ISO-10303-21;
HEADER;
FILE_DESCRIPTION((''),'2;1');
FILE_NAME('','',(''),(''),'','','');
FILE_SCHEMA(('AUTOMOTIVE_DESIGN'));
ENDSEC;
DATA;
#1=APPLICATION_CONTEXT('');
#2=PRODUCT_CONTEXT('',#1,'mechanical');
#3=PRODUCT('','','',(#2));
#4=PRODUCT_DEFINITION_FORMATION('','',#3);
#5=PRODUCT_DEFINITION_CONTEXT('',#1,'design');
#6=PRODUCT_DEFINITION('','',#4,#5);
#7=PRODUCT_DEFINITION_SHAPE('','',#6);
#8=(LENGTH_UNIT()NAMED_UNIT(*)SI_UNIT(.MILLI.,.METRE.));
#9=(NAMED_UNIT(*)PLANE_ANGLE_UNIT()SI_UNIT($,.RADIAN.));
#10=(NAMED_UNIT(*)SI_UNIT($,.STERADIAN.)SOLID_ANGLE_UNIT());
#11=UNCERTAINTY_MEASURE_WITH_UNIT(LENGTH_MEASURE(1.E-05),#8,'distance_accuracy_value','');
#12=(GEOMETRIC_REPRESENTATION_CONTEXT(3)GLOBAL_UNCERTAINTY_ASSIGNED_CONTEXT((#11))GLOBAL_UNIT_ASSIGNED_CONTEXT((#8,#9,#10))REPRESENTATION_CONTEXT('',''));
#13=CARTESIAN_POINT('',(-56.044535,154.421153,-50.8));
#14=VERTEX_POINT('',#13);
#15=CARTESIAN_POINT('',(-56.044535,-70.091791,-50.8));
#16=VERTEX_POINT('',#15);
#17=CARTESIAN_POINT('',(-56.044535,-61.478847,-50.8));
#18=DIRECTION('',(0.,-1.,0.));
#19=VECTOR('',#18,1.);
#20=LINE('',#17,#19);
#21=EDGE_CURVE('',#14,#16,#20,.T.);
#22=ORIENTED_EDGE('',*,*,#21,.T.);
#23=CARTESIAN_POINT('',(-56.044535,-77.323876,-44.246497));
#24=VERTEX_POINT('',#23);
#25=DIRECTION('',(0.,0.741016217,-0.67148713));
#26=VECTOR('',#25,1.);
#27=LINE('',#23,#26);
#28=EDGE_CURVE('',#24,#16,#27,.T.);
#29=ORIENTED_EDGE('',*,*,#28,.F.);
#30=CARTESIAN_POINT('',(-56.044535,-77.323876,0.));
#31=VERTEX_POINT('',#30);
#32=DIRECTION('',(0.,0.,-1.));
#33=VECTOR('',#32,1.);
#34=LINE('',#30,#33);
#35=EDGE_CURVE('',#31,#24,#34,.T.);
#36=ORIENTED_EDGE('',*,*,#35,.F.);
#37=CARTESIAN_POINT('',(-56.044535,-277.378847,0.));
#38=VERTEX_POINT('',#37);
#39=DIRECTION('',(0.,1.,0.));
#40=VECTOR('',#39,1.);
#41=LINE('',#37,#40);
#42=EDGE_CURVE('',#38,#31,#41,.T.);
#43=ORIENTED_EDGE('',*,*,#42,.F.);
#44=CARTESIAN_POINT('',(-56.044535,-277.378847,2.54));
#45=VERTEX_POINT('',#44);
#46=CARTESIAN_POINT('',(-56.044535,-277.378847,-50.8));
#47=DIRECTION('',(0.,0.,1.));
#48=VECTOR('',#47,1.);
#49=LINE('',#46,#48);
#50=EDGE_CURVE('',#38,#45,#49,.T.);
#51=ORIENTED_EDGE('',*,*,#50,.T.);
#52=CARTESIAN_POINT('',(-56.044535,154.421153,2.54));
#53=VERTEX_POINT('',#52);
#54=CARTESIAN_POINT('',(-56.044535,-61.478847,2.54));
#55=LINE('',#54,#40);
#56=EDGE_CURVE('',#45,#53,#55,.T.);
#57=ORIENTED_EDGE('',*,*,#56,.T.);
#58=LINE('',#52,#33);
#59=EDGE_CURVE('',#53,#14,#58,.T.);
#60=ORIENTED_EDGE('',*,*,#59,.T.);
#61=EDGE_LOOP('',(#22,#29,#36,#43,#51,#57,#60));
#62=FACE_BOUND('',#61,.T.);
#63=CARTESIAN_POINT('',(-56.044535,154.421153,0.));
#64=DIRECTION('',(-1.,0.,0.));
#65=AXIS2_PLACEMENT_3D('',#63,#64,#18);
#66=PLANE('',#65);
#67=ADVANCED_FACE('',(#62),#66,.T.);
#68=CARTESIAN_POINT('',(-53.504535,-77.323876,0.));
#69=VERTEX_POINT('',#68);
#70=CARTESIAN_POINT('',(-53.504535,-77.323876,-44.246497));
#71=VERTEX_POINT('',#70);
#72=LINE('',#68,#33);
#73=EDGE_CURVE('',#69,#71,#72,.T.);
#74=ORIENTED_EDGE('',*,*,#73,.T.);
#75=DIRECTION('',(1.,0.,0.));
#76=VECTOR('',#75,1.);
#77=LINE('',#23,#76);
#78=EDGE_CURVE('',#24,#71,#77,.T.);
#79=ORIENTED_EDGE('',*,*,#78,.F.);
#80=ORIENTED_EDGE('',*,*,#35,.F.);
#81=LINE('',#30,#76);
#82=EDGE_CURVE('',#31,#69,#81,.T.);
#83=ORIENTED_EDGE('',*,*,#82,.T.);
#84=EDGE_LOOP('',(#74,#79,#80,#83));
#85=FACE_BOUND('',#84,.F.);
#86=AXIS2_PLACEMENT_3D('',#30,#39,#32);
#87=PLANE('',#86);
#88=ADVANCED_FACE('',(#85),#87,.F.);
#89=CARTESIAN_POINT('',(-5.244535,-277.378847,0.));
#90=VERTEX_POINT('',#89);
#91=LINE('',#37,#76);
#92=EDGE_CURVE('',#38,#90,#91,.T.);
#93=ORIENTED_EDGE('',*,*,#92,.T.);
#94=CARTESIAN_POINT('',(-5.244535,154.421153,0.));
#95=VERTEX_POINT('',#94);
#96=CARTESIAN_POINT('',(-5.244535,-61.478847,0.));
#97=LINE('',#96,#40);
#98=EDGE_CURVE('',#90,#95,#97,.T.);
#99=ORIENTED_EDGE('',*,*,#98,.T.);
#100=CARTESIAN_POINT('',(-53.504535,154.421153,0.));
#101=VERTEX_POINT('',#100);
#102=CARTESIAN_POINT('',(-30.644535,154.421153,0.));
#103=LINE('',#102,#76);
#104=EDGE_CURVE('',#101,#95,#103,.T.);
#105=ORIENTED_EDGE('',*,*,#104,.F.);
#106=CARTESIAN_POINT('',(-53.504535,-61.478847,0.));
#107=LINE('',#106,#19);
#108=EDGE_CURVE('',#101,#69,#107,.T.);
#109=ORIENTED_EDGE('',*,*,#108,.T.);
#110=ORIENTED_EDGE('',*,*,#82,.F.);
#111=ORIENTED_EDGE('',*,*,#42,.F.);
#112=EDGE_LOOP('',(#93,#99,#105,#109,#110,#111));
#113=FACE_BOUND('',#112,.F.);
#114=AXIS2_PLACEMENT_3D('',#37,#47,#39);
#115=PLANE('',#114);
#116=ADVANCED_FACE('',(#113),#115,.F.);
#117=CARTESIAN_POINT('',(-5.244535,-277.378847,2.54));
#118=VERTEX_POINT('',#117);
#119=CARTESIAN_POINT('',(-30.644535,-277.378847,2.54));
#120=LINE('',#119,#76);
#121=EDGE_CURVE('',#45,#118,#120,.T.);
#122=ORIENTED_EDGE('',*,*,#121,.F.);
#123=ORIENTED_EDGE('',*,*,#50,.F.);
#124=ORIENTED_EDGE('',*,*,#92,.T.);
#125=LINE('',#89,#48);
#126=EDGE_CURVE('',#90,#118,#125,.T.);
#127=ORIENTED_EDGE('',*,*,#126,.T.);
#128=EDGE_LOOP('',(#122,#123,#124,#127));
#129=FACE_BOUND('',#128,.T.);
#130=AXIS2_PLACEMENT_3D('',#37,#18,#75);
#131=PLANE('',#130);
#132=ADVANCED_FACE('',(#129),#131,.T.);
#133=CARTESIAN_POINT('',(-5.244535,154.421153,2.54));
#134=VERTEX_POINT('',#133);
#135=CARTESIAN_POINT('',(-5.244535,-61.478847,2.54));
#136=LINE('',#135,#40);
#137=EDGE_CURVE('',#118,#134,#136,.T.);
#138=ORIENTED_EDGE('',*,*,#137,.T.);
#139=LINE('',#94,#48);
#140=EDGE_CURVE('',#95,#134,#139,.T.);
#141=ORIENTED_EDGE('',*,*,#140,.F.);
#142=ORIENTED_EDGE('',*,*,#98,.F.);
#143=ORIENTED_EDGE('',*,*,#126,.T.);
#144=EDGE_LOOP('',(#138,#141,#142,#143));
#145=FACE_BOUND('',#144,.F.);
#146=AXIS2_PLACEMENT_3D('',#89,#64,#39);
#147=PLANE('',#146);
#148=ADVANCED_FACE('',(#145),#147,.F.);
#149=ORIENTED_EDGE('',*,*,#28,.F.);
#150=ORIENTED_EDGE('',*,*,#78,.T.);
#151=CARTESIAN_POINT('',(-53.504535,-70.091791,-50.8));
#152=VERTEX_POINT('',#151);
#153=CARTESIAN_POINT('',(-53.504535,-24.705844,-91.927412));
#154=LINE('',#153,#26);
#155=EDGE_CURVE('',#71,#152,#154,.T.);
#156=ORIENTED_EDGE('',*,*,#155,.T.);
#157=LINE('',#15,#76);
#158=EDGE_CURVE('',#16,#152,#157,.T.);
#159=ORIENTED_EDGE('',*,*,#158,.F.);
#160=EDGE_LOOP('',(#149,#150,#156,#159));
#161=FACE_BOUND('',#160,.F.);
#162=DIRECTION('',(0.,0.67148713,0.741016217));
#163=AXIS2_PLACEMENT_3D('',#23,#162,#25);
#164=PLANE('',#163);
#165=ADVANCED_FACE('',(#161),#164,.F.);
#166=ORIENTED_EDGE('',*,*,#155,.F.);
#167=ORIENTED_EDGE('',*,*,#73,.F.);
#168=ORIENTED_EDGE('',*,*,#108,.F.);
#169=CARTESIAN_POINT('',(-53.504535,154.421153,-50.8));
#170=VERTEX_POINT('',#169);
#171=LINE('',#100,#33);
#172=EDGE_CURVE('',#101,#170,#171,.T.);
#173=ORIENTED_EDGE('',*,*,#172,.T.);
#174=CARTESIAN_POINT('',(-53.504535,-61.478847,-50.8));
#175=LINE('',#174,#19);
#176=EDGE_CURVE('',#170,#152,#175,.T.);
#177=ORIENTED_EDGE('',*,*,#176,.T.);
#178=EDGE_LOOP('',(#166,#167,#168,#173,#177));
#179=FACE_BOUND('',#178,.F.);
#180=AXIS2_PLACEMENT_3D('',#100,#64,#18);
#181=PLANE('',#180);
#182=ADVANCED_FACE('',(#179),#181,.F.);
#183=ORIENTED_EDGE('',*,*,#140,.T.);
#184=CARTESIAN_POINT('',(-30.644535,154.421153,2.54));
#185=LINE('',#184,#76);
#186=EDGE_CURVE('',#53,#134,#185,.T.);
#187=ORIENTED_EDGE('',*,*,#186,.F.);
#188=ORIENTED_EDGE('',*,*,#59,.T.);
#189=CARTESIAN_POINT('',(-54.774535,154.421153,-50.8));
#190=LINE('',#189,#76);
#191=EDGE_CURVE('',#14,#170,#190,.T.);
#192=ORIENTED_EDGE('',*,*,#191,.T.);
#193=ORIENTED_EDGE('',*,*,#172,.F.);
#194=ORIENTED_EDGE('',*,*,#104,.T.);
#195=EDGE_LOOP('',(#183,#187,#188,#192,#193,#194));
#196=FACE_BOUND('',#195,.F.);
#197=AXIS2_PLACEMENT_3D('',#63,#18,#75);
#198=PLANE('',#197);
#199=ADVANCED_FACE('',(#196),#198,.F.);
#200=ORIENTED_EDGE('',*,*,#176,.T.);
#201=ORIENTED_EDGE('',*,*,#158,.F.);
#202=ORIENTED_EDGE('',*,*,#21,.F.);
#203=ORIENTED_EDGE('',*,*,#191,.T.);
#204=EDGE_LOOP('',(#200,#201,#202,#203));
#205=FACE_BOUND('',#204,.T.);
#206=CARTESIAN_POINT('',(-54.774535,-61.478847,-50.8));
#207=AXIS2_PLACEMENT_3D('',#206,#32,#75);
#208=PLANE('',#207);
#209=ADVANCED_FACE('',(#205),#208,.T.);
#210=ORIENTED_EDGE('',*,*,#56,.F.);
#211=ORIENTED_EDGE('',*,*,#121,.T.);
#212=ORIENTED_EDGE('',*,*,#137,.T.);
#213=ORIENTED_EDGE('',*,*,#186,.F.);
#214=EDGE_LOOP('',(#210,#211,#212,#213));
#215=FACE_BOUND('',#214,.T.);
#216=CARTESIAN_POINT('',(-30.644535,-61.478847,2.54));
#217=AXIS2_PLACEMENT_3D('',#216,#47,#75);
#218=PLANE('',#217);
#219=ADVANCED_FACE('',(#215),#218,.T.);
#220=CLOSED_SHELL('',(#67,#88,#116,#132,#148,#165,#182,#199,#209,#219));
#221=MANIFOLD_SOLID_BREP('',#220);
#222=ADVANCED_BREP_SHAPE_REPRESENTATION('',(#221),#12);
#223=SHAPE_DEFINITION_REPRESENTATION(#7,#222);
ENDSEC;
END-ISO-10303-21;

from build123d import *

# Parameters (mm, degrees)
F0_W      = 50.8
F0_H      = 431.8
F1_DEPTH  = 2.54
F2_W      = 2.54
F2_H      = 431.8
F3_DEPTH  = 50.8
F5_DEPTH  = 25.4
F7_DEPTH  = 25.4
F9_DEPTH  = 25.4
F11_DEPTH = 25.4


with BuildPart() as f1:
    # F0 (on Top) → F1 (new body)
    with BuildSketch(Plane.XY):
        with Locations((-30.644535, -61.478847)):
            Rectangle(F0_W, F0_H)
    extrude(amount=F1_DEPTH)

    # F2 (on face) → F3 (join)
    with BuildSketch(Plane(origin=(0, 0, 0), x_dir=(1, 0, 0), z_dir=(0, 0, -1))):
        with Locations((-54.774535, 61.478847)):
            Rectangle(F2_W, F2_H)
    extrude(amount=F3_DEPTH)

    # F4 (on face) → F5 (cut)
    with BuildSketch(Plane(origin=(-56.044535, 0, 0), x_dir=(0, -1, 0), z_dir=(-1, 0, 0))):
        Polygon((277.378847, -50.8), (277.378847, -10.16), (143.720774, -50.8), align=None)
    extrude(amount=-F5_DEPTH, mode=Mode.SUBTRACT)

    # F6 (on face) → F7 (cut)
    with BuildSketch(Plane(origin=(-56.044535, 0, 0), x_dir=(0, -1, 0), z_dir=(-1, 0, 0))):
        Polygon((77.323876, 0), (77.323876, -50.8), (143.720774, -50.8), (277.378847, -10.16), (277.378847, 0), align=None)
    extrude(amount=-F7_DEPTH, mode=Mode.SUBTRACT)

    # F8 (on face) → F9 (cut)
    with BuildSketch(Plane(origin=(-56.044535, 0, 0), x_dir=(0, -1, 0), z_dir=(-1, 0, 0))):
        Polygon((77.323876, -50.8), (77.323876, -45.654178), (71.64523, -50.8), align=None)
    extrude(amount=-F9_DEPTH, mode=Mode.SUBTRACT)

    # F10 (on face) → F11 (cut)
    with BuildSketch(Plane(origin=(-56.044535, 0, 0), x_dir=(0, -1, 0), z_dir=(-1, 0, 0))):
        Polygon((77.323876, -44.246497), (70.091791, -50.8), (71.64523, -50.8), (77.323876, -45.654178), align=None)
    extrude(amount=-F11_DEPTH, mode=Mode.SUBTRACT)


solid = f1.part
